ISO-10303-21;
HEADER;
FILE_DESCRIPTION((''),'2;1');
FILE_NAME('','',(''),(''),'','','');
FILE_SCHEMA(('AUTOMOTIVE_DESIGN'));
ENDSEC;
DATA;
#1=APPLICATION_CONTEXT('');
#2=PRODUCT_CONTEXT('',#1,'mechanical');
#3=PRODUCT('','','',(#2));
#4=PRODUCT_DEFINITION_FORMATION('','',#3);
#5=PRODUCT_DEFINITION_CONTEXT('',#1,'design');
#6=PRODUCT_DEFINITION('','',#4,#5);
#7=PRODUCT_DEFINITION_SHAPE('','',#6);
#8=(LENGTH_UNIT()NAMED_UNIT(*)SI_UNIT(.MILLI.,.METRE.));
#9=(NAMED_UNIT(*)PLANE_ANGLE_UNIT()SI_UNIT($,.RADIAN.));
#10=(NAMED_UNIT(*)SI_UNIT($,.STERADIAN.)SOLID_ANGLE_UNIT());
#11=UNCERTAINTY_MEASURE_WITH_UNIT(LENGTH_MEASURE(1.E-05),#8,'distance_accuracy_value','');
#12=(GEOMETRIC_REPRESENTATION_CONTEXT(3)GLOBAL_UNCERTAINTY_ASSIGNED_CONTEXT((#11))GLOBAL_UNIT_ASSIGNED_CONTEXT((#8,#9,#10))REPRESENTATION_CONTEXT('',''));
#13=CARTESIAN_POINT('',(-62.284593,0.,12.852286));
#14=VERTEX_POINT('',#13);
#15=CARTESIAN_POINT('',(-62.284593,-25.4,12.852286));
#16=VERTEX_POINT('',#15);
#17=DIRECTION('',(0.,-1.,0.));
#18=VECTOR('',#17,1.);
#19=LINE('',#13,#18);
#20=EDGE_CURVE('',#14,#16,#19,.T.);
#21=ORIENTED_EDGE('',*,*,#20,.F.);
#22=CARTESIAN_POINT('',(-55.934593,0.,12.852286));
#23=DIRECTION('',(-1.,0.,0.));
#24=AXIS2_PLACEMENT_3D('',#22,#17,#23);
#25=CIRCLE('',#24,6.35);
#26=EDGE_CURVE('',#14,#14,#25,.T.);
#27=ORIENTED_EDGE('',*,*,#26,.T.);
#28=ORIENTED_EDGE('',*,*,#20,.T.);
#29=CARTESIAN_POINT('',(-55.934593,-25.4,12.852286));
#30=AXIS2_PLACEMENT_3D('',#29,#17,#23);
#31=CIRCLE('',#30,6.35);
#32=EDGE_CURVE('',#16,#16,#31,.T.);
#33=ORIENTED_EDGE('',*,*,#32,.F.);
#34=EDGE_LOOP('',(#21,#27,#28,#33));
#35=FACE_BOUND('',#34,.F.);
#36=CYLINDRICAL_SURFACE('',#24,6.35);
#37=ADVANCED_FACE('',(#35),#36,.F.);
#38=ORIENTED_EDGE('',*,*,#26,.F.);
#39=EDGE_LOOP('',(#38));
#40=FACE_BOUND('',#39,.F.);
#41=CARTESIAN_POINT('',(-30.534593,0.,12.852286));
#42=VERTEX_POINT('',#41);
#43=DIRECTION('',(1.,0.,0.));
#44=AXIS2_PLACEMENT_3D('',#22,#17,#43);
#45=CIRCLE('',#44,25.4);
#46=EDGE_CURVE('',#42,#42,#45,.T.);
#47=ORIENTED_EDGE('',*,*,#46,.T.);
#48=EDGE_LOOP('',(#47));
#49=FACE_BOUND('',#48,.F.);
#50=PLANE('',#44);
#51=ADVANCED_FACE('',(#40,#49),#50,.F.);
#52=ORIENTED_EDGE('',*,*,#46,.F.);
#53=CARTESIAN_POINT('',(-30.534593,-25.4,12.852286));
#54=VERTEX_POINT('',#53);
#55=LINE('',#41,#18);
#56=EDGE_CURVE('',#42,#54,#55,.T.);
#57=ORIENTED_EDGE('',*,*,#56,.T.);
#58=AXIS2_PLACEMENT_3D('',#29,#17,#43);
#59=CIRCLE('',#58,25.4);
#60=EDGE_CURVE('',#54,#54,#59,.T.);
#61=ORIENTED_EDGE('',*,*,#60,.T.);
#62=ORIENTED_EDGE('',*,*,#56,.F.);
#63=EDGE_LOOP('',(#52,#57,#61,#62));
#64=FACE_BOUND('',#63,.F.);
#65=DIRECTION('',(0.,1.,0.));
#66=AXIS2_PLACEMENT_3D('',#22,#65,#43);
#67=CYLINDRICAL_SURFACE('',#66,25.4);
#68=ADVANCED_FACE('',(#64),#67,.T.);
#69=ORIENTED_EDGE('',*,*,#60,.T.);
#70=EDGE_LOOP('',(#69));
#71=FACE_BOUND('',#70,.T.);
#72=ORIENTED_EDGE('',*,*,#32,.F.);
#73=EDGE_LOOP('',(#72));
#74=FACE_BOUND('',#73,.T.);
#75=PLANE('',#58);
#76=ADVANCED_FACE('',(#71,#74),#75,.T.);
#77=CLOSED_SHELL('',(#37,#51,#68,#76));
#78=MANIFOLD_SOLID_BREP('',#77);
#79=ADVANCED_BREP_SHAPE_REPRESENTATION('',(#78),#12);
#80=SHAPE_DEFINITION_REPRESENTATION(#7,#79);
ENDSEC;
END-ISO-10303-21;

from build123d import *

# Parameters (mm, degrees)
F0_R           = 25.4
F1_DEPTH       = 25.4
F2_D           = 12.7
F2_CBORE_D     = 38.1
F2_CBORE_DEPTH = 0


with BuildPart() as f1:
    # F0 (on Front) → F1 (new body)
    with BuildSketch(Plane.XZ):
        with Locations((-55.9345930815, 12.8522859886)):
            Circle(F0_R)
    extrude(amount=F1_DEPTH)

    # F2 (through all)
    with Locations(Plane(origin=(0, 0, 0), x_dir=(1, 0, 0), z_dir=(0, 1, 0))):
        with Locations((-55.9345930815, -12.8522859886)):
            CounterBoreHole(F2_D / 2, F2_CBORE_D / 2, F2_CBORE_DEPTH)


solid = f1.part
